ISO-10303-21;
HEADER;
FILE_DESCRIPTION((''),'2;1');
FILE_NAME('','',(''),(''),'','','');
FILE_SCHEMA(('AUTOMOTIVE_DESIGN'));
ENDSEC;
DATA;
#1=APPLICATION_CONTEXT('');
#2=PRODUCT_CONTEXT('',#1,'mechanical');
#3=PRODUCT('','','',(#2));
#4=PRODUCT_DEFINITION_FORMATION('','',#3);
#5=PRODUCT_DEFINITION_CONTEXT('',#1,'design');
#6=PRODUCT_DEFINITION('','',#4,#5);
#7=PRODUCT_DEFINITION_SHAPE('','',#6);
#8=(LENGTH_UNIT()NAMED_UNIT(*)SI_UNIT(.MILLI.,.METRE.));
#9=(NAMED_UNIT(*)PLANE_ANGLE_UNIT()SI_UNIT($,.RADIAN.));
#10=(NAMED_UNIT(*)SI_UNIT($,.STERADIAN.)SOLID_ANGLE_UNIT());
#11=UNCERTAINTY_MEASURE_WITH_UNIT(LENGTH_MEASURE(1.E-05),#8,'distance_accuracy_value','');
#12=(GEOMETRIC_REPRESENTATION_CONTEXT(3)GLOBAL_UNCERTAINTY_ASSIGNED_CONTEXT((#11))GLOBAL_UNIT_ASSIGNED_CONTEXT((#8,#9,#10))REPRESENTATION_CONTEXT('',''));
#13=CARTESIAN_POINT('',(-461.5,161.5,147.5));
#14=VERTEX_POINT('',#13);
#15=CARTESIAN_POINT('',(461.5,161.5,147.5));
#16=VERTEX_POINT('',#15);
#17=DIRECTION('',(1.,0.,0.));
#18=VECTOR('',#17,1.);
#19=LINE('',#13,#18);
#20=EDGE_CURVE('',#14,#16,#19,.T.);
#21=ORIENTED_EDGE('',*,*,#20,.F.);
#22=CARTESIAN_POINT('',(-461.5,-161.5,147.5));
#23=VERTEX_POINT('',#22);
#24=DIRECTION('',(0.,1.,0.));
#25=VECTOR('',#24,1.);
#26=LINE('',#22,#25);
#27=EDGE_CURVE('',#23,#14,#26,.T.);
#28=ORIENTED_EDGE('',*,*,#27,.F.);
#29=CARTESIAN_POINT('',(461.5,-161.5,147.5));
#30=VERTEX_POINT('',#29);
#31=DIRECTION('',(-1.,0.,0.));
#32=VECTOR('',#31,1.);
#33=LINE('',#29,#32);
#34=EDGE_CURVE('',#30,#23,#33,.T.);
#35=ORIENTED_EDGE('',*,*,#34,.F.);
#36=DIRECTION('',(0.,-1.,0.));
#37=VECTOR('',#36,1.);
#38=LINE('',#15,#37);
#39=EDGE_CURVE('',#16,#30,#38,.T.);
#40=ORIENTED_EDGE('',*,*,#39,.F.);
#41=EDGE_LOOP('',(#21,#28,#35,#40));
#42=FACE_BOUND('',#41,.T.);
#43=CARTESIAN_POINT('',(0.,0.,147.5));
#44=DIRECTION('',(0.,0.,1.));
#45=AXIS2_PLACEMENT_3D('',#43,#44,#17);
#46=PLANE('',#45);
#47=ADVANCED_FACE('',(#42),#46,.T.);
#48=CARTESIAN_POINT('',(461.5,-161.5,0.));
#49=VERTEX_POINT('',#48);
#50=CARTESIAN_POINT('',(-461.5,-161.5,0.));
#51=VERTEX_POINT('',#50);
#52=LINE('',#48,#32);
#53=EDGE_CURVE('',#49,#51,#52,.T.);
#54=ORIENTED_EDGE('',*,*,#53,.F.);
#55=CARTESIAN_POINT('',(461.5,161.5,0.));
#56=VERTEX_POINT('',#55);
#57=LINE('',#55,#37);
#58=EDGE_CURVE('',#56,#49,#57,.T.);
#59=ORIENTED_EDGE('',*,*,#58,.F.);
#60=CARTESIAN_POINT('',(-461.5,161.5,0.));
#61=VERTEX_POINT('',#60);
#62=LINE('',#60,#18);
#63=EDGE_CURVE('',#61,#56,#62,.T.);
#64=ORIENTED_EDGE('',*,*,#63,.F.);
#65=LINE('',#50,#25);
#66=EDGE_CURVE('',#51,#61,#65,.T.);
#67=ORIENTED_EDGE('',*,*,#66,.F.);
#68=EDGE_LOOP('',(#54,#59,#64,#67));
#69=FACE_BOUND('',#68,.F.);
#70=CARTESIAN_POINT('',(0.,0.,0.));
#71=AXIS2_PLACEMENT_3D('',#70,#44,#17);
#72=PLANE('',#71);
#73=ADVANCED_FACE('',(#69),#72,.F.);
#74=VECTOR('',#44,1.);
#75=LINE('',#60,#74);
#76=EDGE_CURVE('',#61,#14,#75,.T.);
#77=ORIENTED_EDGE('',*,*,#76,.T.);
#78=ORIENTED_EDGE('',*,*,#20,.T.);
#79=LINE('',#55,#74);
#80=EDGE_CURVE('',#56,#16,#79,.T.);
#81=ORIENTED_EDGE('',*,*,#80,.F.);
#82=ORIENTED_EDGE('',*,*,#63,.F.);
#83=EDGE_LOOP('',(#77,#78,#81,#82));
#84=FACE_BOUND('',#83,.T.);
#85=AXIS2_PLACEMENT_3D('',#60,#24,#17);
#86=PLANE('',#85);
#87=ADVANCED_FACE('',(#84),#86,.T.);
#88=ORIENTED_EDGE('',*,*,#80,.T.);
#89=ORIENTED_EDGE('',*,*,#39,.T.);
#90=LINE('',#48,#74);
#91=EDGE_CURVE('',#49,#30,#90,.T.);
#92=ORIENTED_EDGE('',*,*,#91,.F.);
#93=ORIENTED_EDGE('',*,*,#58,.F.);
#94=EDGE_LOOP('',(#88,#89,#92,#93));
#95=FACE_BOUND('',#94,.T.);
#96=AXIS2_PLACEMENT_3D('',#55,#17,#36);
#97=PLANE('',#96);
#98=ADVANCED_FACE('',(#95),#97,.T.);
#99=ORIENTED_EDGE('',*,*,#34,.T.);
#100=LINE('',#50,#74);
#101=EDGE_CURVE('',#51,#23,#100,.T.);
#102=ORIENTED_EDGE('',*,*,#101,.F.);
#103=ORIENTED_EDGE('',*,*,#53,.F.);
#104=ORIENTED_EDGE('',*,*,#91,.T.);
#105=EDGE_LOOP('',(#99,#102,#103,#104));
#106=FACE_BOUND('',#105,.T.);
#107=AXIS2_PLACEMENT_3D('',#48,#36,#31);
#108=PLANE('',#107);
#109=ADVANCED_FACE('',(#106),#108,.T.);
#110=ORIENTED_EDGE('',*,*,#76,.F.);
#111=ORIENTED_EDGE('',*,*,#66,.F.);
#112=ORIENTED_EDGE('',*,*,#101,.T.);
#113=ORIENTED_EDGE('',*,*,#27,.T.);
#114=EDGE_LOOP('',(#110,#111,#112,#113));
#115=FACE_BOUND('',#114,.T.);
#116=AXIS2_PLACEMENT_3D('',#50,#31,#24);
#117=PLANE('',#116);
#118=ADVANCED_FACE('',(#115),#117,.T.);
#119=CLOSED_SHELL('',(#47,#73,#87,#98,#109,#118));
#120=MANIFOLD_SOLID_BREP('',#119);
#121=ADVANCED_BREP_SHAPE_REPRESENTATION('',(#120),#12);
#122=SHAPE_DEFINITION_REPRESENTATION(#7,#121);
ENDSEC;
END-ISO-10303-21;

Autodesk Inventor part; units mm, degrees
ref_plane "YZ Plane" through (0, 0, 0) normal (1, 0, 0) x (0, 1, 0)
ref_plane "XZ Plane" through (0, 0, 0) normal (0, 1, 0) x (-1, 0, 0)
ref_plane "XY Plane" through (0, 0, 0) normal (0, 0, 1) x (1, 0, 0)
sketch "Sketch5" plane through (0, 0, 0) normal (0, 0, 1) x (1, 0, 0)
  line L0 (-461.5, 161.5) -> (461.5, 161.5)
  line L1 (461.5, 161.5) -> (461.5, -161.5)
  line L2 (461.5, -161.5) -> (-461.5, -161.5)
  line L3 (-461.5, -161.5) -> (-461.5, 161.5)
  point P0 (0, 0)
  point P1 (0, 161.5)
  point P2 (-461.5, 0)
  dimension "d8" = 923
  dimension "d164" = 323
extrude "Extrusion5" add sketch "Sketch5" along normal blind 147.5
properties part number "BLANK-BC-10001" material "Aço Carbono"
